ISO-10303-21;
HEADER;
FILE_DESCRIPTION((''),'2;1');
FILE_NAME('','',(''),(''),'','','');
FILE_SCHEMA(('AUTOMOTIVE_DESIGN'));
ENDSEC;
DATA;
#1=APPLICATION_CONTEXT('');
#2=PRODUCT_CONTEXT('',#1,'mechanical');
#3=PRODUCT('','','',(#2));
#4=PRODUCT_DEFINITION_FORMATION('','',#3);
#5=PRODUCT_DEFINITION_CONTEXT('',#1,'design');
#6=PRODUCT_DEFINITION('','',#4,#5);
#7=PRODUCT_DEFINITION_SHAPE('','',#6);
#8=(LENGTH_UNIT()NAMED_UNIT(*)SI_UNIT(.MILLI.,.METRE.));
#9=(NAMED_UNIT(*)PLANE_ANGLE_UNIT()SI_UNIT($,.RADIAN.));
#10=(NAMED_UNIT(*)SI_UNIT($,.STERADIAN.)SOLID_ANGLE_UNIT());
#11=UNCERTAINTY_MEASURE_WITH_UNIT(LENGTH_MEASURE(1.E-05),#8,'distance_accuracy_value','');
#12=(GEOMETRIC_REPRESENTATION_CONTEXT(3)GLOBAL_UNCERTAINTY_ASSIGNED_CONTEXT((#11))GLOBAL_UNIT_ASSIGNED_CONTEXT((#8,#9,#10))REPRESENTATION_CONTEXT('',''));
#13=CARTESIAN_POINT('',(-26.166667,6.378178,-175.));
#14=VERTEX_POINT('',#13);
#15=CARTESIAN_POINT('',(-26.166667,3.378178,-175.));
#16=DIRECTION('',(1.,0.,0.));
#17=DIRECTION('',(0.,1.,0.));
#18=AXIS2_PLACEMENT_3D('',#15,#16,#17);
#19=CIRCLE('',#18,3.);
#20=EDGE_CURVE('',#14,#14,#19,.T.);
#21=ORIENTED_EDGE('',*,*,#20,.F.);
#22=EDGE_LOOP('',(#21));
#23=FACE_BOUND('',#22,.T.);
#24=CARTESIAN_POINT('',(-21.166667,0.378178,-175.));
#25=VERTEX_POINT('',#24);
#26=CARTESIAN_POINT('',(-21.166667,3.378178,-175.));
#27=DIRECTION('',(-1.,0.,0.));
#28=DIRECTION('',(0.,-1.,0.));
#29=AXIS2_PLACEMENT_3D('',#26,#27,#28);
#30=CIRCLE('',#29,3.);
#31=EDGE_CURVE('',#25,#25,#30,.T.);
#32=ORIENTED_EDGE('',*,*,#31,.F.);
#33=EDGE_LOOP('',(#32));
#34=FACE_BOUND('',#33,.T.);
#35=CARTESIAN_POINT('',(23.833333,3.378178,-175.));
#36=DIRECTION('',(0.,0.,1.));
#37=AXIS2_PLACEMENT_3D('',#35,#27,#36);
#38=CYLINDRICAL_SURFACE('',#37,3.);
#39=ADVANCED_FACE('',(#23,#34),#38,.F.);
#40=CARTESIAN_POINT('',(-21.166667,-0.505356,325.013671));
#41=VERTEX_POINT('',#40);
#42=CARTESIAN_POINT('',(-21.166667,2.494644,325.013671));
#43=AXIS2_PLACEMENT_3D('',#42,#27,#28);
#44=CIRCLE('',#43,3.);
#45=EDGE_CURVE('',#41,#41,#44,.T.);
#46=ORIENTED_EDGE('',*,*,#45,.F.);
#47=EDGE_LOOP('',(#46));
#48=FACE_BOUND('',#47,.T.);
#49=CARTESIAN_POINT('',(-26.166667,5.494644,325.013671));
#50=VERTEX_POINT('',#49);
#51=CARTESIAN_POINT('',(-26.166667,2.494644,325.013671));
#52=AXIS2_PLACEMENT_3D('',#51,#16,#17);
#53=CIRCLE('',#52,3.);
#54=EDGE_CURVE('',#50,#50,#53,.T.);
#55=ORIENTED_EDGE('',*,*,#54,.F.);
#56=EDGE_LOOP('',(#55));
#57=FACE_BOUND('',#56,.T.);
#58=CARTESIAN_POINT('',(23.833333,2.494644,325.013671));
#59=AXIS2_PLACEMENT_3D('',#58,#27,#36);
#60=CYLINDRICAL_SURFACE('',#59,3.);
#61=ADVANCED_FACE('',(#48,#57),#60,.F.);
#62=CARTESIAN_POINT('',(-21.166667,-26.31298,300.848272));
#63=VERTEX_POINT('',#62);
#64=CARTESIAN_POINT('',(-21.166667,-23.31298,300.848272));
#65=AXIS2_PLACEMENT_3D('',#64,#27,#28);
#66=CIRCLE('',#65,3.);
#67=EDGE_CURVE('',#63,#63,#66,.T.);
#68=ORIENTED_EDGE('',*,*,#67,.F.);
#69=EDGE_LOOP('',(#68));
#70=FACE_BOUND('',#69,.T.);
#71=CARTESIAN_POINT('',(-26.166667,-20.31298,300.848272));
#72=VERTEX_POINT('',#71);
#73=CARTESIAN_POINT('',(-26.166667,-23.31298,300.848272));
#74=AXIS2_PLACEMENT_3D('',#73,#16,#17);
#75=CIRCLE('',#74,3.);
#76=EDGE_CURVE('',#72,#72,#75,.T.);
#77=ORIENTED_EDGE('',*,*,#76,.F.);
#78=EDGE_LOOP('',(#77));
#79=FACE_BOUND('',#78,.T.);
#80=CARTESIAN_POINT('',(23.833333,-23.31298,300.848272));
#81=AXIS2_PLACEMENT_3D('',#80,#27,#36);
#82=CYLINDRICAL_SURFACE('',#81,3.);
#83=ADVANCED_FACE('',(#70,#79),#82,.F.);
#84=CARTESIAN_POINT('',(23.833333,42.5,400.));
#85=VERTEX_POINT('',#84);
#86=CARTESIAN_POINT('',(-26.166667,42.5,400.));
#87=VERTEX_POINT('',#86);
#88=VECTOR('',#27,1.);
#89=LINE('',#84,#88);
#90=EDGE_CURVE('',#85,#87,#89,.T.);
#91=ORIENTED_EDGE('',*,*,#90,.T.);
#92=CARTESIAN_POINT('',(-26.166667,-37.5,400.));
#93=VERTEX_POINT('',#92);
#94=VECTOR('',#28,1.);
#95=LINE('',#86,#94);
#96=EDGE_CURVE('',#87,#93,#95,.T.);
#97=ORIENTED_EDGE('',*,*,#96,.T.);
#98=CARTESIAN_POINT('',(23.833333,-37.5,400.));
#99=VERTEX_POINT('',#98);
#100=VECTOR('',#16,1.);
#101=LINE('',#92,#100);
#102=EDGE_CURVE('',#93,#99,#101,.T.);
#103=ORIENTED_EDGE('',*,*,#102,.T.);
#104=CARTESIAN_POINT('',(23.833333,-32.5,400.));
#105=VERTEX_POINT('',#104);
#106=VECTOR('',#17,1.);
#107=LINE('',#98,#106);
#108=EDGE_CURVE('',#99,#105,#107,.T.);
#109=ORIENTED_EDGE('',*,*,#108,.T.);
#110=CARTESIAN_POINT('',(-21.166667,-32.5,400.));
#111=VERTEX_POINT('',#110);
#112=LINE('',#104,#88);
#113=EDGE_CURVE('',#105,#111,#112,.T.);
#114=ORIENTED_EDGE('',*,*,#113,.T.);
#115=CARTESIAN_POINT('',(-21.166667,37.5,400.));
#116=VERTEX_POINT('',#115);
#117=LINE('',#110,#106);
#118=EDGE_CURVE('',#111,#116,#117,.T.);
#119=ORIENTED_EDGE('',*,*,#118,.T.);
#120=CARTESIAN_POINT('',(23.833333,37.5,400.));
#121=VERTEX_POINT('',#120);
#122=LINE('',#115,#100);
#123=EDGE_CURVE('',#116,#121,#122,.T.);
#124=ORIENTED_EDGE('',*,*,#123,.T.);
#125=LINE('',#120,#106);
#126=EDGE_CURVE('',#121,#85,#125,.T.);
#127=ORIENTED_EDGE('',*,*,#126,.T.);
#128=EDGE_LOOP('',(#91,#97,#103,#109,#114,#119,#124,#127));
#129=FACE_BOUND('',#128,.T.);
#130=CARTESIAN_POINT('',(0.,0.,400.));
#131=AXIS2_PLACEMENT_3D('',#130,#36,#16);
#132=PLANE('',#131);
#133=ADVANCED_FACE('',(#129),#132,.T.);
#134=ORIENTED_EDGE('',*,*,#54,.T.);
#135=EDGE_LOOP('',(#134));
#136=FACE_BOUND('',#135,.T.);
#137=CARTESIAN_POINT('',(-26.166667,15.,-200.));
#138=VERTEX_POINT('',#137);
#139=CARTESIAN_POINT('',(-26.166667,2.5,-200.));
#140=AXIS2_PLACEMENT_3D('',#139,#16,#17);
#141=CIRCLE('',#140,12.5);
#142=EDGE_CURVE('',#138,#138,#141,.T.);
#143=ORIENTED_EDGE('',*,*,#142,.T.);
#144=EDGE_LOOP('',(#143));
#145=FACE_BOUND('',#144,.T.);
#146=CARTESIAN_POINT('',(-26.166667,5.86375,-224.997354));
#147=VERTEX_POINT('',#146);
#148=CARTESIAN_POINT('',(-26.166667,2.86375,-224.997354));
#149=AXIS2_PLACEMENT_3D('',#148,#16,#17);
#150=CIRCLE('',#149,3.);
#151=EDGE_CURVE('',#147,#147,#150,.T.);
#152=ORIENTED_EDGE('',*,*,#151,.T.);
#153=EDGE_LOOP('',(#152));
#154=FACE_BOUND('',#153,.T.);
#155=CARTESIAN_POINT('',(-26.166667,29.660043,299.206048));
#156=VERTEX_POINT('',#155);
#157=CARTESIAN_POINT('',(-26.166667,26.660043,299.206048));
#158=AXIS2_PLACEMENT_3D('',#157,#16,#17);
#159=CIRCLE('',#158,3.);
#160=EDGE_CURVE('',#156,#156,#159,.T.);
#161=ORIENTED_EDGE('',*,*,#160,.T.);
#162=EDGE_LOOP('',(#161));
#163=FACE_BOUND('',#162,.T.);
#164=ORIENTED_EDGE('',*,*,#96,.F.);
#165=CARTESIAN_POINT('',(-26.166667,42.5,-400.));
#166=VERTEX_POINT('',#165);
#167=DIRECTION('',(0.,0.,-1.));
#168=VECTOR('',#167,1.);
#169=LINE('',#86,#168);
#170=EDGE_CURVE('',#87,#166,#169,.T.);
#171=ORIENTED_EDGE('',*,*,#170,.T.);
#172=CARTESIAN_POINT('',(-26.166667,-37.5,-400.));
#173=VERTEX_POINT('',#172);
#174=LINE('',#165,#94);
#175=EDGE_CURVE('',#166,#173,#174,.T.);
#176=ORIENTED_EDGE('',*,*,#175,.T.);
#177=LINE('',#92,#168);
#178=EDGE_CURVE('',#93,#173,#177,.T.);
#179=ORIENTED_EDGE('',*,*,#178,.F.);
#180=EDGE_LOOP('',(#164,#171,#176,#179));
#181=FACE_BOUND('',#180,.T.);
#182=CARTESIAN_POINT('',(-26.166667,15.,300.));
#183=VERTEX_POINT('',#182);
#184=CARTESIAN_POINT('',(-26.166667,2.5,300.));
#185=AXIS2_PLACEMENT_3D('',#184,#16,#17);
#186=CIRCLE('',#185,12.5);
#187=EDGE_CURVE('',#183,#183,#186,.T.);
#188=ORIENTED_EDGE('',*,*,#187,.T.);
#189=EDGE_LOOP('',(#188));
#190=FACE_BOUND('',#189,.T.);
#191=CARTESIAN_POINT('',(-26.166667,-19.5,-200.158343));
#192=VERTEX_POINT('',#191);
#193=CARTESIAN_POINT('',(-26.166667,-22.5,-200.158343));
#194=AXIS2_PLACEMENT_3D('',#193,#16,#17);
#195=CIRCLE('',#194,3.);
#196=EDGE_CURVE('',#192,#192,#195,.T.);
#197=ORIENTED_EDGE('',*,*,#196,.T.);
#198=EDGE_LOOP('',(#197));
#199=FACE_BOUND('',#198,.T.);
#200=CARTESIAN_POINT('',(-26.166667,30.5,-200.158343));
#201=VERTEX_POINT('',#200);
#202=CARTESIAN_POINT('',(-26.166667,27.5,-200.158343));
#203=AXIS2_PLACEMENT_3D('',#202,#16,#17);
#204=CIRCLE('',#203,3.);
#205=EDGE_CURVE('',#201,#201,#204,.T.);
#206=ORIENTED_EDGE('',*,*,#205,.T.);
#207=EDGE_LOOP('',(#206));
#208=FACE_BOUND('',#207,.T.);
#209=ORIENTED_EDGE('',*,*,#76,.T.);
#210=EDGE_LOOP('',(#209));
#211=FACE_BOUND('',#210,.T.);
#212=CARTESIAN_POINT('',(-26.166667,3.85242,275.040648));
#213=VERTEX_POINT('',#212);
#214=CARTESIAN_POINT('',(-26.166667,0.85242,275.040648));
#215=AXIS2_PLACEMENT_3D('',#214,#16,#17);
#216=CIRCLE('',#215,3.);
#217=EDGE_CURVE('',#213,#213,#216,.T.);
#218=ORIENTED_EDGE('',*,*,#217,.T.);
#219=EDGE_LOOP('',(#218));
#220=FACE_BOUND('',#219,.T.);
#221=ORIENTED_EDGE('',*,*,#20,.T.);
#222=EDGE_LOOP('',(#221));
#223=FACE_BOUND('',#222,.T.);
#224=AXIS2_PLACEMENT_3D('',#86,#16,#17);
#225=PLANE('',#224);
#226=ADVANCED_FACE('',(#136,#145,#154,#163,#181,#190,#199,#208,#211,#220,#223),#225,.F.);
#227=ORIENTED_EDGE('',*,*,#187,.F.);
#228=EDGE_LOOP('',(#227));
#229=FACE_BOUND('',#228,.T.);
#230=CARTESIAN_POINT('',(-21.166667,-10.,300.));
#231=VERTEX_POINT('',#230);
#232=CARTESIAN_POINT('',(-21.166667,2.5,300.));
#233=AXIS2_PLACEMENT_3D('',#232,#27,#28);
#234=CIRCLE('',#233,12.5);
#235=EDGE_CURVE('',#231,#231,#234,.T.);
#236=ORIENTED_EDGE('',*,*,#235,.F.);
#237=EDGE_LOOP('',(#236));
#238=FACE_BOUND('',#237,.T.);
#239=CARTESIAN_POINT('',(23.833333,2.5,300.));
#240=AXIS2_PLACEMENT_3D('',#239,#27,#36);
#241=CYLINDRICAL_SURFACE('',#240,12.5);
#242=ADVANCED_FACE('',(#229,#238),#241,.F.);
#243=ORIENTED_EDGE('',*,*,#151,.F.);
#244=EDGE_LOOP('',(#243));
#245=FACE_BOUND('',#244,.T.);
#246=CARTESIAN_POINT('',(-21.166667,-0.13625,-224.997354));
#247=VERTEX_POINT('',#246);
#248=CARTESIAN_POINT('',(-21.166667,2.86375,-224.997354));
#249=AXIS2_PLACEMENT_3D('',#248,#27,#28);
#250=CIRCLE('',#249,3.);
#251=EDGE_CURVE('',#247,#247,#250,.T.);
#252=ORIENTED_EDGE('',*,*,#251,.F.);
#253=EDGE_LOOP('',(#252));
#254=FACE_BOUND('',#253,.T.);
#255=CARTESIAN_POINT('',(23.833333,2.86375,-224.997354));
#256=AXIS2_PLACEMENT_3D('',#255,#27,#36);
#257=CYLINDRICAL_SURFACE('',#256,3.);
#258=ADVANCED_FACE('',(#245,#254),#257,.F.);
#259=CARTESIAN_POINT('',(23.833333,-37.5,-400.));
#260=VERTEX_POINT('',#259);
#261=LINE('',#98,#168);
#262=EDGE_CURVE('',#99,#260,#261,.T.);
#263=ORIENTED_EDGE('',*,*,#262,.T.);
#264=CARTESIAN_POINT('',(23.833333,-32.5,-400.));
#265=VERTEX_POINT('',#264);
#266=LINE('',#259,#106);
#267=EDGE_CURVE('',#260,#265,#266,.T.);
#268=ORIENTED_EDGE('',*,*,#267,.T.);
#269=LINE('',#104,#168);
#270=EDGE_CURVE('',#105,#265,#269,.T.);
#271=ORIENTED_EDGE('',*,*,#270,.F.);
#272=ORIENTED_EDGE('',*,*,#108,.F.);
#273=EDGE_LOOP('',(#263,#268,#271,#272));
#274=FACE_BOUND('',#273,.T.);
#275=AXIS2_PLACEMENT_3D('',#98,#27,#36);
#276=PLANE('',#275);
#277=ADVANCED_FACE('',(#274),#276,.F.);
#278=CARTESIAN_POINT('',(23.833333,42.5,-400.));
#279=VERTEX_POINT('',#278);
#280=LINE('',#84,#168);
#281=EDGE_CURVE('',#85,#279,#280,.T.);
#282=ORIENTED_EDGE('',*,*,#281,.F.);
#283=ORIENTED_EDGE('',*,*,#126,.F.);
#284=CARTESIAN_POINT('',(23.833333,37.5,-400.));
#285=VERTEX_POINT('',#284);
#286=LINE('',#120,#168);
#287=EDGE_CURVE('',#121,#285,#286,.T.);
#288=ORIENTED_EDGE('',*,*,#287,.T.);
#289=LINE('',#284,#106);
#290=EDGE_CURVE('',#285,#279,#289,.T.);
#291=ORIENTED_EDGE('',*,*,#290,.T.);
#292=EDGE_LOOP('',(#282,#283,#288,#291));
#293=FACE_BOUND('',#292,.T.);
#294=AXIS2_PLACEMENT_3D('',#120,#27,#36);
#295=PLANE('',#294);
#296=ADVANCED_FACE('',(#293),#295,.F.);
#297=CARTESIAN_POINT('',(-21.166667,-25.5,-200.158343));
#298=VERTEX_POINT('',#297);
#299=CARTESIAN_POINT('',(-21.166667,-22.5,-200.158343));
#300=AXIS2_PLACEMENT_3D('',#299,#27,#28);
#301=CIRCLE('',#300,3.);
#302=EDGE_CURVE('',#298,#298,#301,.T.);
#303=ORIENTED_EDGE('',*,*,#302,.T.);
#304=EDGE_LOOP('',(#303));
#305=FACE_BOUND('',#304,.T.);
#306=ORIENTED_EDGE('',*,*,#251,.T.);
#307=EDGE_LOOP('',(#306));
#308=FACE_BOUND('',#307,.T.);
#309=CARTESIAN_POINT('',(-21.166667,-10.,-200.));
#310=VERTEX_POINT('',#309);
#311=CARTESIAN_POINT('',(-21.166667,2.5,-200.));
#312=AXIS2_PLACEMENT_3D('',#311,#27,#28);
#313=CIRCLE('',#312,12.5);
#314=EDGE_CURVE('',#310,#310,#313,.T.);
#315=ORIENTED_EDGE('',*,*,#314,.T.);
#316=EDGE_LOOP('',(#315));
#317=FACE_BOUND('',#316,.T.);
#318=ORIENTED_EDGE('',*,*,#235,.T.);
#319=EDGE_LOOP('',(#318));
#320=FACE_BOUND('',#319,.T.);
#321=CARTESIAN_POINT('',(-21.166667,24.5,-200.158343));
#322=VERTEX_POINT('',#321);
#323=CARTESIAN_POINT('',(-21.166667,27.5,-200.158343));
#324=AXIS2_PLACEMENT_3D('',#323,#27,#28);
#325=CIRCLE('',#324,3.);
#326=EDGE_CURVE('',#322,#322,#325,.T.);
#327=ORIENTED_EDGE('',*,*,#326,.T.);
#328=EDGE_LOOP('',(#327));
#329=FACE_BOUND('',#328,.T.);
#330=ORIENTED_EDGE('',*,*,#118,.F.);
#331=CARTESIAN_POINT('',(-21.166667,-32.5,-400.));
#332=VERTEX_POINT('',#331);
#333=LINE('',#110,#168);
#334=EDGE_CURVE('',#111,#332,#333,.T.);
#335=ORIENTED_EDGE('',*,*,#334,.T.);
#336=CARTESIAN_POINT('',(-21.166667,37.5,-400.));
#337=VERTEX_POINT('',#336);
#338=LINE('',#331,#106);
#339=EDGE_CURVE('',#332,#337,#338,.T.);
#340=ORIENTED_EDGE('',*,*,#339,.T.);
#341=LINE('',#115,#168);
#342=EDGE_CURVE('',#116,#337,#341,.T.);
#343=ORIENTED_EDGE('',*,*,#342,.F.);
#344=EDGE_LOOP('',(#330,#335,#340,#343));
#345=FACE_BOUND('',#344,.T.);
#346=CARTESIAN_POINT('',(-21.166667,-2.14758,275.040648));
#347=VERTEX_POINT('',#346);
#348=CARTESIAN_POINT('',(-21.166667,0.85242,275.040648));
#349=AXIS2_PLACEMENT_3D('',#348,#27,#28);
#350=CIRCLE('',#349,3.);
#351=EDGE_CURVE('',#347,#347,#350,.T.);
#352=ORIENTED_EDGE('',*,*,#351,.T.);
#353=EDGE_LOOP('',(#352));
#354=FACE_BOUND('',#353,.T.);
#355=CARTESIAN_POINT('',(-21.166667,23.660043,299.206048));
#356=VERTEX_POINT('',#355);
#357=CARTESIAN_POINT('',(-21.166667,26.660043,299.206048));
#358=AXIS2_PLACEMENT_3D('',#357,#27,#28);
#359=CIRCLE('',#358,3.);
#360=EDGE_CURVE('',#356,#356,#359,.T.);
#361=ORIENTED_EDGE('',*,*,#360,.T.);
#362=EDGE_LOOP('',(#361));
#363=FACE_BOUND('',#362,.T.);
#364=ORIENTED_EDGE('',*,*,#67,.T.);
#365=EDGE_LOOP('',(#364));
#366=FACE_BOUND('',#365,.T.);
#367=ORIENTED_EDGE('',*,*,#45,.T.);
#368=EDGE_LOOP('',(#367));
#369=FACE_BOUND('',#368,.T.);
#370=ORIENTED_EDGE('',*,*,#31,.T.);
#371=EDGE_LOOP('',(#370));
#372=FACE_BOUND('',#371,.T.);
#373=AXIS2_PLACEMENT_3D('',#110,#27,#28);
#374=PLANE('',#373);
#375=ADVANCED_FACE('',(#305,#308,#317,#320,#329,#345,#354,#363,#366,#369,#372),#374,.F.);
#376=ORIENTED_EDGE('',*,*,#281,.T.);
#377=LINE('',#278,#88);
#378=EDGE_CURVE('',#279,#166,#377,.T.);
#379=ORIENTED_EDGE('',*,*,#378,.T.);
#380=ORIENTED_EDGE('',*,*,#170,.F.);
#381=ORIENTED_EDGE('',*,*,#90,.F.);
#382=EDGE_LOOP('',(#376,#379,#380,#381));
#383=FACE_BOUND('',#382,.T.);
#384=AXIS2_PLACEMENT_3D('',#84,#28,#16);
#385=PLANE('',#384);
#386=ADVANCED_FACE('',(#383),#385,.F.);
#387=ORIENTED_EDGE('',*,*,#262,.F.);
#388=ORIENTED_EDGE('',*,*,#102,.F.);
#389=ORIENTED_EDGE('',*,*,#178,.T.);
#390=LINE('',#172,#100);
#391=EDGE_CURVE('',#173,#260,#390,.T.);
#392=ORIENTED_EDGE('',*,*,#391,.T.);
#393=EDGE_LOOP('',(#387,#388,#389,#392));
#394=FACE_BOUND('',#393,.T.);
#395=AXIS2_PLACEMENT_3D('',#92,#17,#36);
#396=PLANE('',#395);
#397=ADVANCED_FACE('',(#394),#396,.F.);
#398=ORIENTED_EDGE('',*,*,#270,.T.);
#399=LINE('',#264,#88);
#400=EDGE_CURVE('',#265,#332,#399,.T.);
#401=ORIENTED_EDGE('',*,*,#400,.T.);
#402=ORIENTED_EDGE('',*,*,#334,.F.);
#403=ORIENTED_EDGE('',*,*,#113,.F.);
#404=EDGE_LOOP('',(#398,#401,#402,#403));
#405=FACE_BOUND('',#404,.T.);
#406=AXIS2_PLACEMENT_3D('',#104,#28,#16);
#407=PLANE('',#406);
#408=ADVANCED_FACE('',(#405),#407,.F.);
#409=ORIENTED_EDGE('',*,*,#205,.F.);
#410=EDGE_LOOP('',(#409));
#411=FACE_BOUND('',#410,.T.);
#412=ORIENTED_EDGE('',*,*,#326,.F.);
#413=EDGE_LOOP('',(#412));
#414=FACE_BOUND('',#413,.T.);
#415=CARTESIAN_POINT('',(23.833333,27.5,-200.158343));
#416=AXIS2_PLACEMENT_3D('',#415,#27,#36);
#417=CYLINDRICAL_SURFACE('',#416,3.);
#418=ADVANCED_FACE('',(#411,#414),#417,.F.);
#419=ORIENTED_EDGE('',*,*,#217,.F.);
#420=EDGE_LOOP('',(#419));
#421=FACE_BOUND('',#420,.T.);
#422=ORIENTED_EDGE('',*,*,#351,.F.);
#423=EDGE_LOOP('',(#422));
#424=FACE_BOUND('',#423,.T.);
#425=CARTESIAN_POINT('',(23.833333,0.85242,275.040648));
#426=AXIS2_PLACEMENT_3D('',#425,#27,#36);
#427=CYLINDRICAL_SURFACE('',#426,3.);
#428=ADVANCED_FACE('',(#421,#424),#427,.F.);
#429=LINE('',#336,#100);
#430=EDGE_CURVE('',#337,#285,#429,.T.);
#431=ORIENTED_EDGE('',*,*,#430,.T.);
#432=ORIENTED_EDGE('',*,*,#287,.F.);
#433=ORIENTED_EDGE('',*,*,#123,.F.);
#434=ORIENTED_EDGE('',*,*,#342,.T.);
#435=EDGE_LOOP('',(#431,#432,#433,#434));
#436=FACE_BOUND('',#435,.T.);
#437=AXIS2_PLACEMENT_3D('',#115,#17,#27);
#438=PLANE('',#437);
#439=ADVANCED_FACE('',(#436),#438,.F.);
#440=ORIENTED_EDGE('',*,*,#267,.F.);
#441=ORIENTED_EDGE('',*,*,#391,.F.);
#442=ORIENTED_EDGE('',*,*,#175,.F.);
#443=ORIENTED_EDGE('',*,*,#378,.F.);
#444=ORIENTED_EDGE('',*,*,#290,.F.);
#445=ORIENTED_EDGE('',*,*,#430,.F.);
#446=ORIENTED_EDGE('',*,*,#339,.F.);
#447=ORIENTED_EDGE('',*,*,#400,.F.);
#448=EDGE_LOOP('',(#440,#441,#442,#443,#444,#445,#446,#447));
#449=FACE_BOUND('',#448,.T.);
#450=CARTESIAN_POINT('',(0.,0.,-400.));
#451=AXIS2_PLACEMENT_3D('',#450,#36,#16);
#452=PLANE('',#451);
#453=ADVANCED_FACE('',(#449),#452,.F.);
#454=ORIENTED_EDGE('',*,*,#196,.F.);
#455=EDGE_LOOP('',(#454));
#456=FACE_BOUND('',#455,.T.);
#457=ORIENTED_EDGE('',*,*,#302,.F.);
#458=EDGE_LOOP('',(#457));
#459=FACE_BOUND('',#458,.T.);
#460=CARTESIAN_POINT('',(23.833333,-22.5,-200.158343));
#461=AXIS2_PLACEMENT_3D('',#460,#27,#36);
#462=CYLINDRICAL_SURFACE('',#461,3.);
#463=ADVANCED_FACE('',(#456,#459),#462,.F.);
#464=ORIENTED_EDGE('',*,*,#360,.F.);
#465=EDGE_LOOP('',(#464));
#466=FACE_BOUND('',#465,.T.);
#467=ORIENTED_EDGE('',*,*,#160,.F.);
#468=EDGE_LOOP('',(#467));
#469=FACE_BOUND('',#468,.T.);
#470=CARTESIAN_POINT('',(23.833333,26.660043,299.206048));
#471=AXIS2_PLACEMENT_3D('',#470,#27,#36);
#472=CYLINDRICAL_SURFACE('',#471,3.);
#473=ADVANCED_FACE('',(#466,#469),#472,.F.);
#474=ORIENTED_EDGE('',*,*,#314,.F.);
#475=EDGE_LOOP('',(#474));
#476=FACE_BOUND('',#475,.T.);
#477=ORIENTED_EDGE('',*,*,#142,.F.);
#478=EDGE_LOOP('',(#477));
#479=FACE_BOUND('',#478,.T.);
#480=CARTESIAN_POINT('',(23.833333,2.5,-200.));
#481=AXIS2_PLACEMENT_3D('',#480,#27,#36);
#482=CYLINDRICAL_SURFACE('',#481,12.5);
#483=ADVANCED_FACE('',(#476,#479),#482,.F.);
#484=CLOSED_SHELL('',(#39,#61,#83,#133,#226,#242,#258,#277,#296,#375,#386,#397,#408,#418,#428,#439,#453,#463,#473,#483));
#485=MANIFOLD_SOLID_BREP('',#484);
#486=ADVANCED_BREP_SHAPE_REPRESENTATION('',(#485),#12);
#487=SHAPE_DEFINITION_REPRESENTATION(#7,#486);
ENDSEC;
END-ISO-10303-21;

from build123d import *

# Parameters (mm, degrees)
BOSS_EXTRUDE1_DEPTH     = 400
SKETCH2_R               = 12.5
CUT_EXTRUDE1_DEPTH      = 1
CUT_EXTRUDE1_DEPTH_BACK = 51
SKETCH4_R               = 3
CUT_EXTRUDE2_DEPTH      = 1
CUT_EXTRUDE2_DEPTH_BACK = 51
SKETCH6_R               = 3
CUT_EXTRUDE3_DEPTH      = 1
CUT_EXTRUDE3_DEPTH_BACK = 51


with BuildPart() as part:
    # Sketch1 → Boss-Extrude1 (new body, symmetric)
    with BuildSketch(Plane.XY):
        Polygon((23.833333333, 42.5), (-26.166666667, 42.5), (-26.166666667, -37.5), (23.833333333, -37.5), (23.833333333, -32.5), (-21.166666667, -32.5), (-21.166666667, 37.5), (23.833333333, 37.5), align=None)
    extrude(amount=BOSS_EXTRUDE1_DEPTH, both=True)

    # Sketch2 → Cut-Extrude1 (cut, two sides)
    with BuildSketch(Plane.ZY.offset(26.166666667)) as cut_extrude1_sk:
        with Locations((-200, 2.5)):
            Circle(SKETCH2_R)
        with Locations((300, 2.5)):
            Circle(SKETCH2_R)
    extrude(amount=CUT_EXTRUDE1_DEPTH, mode=Mode.SUBTRACT)
    extrude(cut_extrude1_sk.sketch, amount=-CUT_EXTRUDE1_DEPTH_BACK, mode=Mode.SUBTRACT)

    # Sketch4 → Cut-Extrude2 (cut, two sides)
    with BuildSketch(Plane.ZY.offset(26.166666667)) as cut_extrude2_sk:
        with Locations((-200.1583434, 27.5)):
            Circle(SKETCH4_R)
        with Locations((-200.1583434, -22.5)):
            Circle(SKETCH4_R)
        with Locations((-175, 3.378177917)):
            Circle(SKETCH4_R)
        with Locations((-224.997353573, 2.863750384)):
            Circle(SKETCH4_R)
    extrude(amount=CUT_EXTRUDE2_DEPTH, mode=Mode.SUBTRACT)
    extrude(cut_extrude2_sk.sketch, amount=-CUT_EXTRUDE2_DEPTH_BACK, mode=Mode.SUBTRACT)

    # Sketch6 → Cut-Extrude3 (cut, two sides)
    with BuildSketch(Plane.ZY.offset(26.166666667)) as cut_extrude3_sk:
        with Locations((299.206047638, 26.660043497)):
            Circle(SKETCH6_R)
        with Locations((325.01367144, 2.494643569)):
            Circle(SKETCH6_R)
        with Locations((300.848271512, -23.312980234)):
            Circle(SKETCH6_R)
        with Locations((275.04064771, 0.852419694)):
            Circle(SKETCH6_R)
    extrude(amount=CUT_EXTRUDE3_DEPTH, mode=Mode.SUBTRACT)
    extrude(cut_extrude3_sk.sketch, amount=-CUT_EXTRUDE3_DEPTH_BACK, mode=Mode.SUBTRACT)


solid = part.part
